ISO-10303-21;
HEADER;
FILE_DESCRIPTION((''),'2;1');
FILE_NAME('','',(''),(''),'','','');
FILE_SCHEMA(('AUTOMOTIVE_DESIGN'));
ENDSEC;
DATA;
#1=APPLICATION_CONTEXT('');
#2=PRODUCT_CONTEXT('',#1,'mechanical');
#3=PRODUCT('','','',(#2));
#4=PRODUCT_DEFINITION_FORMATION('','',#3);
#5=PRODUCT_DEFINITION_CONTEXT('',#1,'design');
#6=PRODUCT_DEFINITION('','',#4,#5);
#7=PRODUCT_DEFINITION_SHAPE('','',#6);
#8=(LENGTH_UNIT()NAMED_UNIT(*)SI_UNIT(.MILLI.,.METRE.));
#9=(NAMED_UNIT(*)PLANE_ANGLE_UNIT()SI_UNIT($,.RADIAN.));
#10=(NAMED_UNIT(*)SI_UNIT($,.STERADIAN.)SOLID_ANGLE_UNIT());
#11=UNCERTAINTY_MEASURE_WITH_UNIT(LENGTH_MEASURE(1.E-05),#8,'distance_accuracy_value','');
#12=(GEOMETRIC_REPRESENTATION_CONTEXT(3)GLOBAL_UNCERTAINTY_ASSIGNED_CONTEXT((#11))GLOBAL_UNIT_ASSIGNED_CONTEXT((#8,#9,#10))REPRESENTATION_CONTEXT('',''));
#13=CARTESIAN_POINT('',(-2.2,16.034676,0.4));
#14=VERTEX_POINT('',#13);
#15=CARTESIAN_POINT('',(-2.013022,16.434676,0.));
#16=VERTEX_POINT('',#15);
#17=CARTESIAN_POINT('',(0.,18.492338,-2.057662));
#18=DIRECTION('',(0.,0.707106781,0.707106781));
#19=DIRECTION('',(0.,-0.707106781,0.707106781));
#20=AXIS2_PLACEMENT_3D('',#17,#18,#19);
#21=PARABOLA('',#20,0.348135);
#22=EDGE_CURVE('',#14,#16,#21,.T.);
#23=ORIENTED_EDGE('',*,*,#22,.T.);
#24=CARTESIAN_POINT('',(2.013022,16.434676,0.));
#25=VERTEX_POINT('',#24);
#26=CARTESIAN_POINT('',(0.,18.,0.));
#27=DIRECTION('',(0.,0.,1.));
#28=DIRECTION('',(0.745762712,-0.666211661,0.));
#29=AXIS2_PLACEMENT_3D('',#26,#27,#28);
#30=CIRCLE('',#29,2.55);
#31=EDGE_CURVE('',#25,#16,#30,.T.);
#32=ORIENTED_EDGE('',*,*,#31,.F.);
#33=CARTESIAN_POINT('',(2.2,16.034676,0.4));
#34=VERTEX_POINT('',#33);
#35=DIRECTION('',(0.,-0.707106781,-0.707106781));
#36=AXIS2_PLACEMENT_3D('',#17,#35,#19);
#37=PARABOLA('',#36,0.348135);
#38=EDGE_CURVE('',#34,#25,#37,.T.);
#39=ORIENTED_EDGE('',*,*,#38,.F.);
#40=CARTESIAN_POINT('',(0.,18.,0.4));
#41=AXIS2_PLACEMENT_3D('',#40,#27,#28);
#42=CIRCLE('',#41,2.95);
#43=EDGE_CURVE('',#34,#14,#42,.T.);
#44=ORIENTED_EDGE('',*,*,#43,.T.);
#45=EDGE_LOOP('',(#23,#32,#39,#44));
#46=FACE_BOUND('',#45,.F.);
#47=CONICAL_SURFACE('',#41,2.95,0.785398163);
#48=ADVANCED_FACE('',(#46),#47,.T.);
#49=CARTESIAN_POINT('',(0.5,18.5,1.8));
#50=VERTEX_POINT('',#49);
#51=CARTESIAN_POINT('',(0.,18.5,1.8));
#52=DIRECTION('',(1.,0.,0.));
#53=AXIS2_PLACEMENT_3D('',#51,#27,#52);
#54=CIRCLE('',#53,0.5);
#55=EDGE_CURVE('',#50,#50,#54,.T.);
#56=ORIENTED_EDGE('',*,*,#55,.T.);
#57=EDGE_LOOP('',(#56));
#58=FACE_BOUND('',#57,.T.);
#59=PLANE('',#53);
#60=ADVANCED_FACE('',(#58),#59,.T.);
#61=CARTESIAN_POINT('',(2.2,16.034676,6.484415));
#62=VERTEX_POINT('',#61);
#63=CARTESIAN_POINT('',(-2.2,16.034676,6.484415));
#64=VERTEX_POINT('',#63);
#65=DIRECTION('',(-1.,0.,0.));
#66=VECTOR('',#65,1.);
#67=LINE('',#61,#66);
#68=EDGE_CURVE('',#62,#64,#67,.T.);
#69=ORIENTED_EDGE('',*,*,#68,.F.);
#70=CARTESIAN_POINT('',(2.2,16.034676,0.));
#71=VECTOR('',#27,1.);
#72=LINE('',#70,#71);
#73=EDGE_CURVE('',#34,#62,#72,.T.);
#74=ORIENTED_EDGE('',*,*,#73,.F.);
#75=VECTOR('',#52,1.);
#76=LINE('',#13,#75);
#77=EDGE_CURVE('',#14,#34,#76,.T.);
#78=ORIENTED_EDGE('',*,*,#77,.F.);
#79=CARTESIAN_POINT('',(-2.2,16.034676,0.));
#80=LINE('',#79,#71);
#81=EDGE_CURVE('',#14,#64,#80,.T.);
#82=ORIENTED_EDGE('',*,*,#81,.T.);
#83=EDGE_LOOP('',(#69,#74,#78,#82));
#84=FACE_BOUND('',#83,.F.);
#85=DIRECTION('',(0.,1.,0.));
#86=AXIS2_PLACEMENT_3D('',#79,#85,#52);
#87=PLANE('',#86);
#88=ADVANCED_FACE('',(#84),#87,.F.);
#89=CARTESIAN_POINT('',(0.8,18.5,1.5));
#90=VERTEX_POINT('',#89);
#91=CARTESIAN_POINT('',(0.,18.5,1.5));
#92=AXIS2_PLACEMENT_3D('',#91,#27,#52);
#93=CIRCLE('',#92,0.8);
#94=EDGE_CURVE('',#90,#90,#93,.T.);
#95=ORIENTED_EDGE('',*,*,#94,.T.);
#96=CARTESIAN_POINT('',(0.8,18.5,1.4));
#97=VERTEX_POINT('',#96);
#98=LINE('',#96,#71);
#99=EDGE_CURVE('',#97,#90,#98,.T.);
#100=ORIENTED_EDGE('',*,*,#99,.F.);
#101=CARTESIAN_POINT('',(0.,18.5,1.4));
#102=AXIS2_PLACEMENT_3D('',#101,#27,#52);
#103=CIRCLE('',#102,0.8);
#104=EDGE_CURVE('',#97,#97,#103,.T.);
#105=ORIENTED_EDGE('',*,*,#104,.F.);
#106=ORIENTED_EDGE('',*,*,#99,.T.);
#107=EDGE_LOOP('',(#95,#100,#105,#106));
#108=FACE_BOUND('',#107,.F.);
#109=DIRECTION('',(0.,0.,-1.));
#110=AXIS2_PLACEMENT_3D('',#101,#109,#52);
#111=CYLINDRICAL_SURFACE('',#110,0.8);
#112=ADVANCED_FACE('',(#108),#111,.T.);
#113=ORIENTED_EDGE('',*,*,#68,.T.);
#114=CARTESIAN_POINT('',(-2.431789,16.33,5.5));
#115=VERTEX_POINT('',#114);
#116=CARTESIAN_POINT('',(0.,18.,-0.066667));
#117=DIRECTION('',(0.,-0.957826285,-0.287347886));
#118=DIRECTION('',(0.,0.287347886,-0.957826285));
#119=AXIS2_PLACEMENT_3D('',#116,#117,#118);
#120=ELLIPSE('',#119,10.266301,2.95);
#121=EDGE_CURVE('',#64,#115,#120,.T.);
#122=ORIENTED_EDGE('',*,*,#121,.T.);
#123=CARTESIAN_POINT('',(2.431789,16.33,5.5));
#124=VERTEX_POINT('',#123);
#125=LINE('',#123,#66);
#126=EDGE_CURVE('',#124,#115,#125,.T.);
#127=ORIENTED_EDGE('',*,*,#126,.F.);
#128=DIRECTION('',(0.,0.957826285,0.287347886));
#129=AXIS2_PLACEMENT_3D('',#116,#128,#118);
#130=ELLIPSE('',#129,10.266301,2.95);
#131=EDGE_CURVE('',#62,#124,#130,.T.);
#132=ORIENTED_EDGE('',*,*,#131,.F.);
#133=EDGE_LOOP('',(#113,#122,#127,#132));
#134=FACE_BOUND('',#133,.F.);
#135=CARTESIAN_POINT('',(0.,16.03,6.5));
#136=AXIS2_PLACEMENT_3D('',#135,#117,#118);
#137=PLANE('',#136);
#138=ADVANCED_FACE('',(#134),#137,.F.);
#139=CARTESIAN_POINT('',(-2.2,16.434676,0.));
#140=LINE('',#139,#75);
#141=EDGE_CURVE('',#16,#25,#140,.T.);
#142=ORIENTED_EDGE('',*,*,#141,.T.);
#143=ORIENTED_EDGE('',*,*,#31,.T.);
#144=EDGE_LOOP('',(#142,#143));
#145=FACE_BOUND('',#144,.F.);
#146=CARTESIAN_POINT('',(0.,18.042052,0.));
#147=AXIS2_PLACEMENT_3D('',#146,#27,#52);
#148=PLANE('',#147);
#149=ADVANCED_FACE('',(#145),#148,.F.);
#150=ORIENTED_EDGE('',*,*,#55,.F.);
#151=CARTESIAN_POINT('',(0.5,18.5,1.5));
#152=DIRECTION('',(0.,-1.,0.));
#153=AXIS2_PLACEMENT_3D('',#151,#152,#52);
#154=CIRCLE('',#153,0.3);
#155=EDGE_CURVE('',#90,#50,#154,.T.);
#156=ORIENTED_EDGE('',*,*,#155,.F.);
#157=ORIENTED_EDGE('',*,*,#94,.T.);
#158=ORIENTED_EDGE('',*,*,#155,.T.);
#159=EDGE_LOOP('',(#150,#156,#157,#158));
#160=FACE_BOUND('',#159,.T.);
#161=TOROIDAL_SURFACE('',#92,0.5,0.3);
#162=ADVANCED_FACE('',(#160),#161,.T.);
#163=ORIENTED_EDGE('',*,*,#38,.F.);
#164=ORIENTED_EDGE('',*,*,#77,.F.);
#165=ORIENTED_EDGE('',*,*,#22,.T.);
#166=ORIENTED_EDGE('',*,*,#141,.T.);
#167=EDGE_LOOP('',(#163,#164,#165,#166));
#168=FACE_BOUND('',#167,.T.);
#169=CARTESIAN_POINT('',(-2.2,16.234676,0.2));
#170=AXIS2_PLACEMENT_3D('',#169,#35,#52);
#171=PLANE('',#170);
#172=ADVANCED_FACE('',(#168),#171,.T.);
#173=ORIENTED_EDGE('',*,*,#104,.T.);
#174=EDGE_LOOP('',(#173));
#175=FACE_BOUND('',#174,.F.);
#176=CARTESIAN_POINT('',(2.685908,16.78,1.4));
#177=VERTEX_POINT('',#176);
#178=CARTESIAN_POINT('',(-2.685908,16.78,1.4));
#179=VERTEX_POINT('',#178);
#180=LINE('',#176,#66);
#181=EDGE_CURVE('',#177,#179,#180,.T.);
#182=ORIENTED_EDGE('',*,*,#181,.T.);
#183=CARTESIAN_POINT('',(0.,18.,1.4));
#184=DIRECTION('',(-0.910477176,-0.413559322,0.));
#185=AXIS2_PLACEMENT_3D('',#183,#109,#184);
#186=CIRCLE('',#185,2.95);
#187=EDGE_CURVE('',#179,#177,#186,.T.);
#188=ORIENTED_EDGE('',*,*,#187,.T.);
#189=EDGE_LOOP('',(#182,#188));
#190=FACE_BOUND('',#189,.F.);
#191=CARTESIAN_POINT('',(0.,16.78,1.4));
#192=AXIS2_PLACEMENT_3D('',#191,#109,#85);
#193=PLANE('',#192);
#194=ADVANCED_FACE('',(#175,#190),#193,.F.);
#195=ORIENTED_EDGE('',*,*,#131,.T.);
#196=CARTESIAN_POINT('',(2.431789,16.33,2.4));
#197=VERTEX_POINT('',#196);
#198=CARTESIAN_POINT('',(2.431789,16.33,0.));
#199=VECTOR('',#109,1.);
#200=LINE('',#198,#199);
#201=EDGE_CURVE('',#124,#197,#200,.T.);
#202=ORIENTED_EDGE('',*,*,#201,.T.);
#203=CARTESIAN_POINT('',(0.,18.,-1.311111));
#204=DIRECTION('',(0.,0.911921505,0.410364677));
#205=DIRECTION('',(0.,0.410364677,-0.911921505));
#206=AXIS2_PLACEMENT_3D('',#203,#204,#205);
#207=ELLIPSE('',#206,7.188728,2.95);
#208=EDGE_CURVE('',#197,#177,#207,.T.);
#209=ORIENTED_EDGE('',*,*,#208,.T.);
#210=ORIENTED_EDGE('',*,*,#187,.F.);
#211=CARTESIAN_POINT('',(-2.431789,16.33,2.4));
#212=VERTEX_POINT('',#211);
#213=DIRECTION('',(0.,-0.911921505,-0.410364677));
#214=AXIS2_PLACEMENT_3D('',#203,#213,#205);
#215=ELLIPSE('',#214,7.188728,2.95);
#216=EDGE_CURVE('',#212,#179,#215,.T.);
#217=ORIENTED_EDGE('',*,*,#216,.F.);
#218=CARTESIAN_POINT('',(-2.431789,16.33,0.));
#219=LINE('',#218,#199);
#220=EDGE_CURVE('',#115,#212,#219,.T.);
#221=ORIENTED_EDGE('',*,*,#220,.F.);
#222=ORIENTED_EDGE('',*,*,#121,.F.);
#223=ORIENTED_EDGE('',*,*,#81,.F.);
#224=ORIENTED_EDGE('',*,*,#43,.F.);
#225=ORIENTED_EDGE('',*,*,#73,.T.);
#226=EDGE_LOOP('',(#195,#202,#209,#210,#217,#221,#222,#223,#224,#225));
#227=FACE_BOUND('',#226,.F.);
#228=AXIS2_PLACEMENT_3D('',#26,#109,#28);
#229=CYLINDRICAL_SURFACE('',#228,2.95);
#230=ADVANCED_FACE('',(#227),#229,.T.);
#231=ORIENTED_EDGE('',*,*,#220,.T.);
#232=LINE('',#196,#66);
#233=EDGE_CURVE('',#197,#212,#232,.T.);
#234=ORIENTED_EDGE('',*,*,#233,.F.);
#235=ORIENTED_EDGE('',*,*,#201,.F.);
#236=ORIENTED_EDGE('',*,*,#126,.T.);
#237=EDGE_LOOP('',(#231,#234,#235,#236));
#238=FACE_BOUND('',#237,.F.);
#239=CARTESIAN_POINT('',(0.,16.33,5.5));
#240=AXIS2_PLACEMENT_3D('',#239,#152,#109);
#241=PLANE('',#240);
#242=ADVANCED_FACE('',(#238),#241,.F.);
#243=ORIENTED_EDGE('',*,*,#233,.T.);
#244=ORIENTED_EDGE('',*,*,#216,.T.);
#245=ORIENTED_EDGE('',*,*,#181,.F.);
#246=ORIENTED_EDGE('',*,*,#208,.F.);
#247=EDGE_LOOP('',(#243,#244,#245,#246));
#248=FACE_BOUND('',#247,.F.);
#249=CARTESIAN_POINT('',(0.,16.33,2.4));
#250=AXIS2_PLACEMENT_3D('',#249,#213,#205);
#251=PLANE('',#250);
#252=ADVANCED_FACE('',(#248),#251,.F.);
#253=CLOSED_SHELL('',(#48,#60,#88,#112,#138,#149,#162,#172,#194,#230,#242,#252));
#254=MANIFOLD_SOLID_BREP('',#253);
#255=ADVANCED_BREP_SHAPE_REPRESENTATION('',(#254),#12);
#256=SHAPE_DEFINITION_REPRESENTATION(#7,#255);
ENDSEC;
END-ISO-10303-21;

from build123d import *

# Parameters (mm, degrees)
PAD008_DEPTH         = 6.5
POCKET007_DEPTH      = 2.951
POCKET007_DEPTH_BACK = 2.951
SKETCH023_R          = 0.8
PAD009_DEPTH         = 0.4
FILLET001_R          = 0.3
CHAMFER007_SIZE      = 0.4


with BuildPart() as part:
    # Sketch022 → Pad008 (new body)
    with BuildSketch(Plane.XY):
        with BuildLine():
            ThreePointArc((2.2, -1.9653244007), (0, 2.95), (-2.2, -1.9653244007))
            Line((-2.2, -1.9653244007), (2.2, -1.9653244007))
        make_face()
    extrude(amount=PAD008_DEPTH)

    # Sketch024 → Pocket007 (cut, two sides)
    with BuildSketch(Plane.YZ) as pocket007_sk:
        Polygon((-1.97, 6.5), (-1.67, 5.5), (-1.67, 2.4), (-1.22, 1.4), (4, 1.4), (4, 6.5), align=None)
    extrude(amount=-POCKET007_DEPTH, mode=Mode.SUBTRACT)
    extrude(pocket007_sk.sketch, amount=POCKET007_DEPTH_BACK, mode=Mode.SUBTRACT)

    # Sketch023 (on Face7 of Pocket007) → Pad009 (join)
    with BuildSketch(Plane.XY.offset(1.4)):
        with Locations((0, 0.5)):
            Circle(SKETCH023_R)
    extrude(amount=PAD009_DEPTH)

    # Fillet001
    fillet001_edges = [part.edges().sort_by_distance(p)[0] for p in [
        (-0.8, 0.5, 1.8),
    ]]
    fillet(fillet001_edges, radius=FILLET001_R)

    # Chamfer007
    chamfer007_edges = [part.edges().sort_by_distance(p)[0] for p in [
        (0, 2.95, 0),
        (0, -1.965324, 0),
    ]]
    chamfer(chamfer007_edges, length=CHAMFER007_SIZE)


with BuildPart() as part_1:
    # Body083 placement: moved
    add(part.part.moved(Location((0, 18, 0))))


solid = part_1.part
